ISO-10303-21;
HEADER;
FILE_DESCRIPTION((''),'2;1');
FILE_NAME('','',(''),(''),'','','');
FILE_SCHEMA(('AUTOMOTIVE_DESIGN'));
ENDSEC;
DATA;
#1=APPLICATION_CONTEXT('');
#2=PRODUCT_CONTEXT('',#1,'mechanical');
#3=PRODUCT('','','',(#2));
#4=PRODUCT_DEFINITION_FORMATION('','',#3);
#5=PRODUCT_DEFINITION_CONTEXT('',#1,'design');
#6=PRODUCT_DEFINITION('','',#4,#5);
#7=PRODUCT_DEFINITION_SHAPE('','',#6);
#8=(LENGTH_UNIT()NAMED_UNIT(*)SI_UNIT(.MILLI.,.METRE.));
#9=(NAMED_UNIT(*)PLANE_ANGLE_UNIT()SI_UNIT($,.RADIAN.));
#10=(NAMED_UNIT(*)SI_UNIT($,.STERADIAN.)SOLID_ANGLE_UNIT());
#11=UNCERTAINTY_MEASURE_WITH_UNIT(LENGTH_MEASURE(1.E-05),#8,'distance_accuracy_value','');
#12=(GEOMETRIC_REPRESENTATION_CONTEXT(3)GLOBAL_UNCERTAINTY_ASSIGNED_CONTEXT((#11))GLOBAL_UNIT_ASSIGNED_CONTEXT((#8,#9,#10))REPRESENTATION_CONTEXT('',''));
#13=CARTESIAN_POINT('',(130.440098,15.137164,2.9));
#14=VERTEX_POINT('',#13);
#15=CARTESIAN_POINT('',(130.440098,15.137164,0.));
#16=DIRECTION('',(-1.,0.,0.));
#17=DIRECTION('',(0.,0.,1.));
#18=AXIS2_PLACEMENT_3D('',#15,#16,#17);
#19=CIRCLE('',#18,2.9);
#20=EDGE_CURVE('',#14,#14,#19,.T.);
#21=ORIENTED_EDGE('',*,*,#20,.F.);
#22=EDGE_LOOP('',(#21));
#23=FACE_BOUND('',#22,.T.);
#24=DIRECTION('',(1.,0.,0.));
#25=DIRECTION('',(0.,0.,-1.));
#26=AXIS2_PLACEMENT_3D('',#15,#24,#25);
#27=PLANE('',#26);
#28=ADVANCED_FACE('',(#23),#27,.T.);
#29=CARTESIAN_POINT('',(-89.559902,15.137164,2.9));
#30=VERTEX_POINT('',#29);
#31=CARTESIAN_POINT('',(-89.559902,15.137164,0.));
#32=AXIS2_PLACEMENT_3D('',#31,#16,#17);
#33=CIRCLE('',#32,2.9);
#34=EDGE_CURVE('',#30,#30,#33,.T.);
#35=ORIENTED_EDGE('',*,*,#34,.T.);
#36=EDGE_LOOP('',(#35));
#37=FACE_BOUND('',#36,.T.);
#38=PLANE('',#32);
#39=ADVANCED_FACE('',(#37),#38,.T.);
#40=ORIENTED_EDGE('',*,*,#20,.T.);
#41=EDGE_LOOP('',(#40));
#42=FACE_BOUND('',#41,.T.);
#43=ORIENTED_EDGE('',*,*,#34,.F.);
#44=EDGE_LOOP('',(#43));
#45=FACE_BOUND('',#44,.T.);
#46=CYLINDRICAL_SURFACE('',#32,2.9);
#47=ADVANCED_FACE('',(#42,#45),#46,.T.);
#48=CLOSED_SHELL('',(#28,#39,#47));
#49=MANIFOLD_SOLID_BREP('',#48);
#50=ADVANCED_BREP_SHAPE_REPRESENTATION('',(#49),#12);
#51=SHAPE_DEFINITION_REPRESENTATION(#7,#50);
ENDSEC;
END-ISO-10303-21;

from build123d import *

# Parameters (mm, degrees)
SKETCH1_W = 220
SKETCH1_H = 2.9


with BuildPart() as part:
    # Sketch1 → Revolve1 (revolve)
    with BuildSketch(Plane.XY, mode=Mode.PRIVATE) as revolve1_sk:
        with Locations((20.4400978, 13.687163814)):
            Rectangle(SKETCH1_W, SKETCH1_H)
    revolve(revolve1_sk.sketch.rotate(Axis((-89.5599022, 15.137163814, 0), (1, 0, 0)), 270), axis=Axis((-89.5599022, 15.137163814, 0), (1, 0, 0)))


solid = part.part
